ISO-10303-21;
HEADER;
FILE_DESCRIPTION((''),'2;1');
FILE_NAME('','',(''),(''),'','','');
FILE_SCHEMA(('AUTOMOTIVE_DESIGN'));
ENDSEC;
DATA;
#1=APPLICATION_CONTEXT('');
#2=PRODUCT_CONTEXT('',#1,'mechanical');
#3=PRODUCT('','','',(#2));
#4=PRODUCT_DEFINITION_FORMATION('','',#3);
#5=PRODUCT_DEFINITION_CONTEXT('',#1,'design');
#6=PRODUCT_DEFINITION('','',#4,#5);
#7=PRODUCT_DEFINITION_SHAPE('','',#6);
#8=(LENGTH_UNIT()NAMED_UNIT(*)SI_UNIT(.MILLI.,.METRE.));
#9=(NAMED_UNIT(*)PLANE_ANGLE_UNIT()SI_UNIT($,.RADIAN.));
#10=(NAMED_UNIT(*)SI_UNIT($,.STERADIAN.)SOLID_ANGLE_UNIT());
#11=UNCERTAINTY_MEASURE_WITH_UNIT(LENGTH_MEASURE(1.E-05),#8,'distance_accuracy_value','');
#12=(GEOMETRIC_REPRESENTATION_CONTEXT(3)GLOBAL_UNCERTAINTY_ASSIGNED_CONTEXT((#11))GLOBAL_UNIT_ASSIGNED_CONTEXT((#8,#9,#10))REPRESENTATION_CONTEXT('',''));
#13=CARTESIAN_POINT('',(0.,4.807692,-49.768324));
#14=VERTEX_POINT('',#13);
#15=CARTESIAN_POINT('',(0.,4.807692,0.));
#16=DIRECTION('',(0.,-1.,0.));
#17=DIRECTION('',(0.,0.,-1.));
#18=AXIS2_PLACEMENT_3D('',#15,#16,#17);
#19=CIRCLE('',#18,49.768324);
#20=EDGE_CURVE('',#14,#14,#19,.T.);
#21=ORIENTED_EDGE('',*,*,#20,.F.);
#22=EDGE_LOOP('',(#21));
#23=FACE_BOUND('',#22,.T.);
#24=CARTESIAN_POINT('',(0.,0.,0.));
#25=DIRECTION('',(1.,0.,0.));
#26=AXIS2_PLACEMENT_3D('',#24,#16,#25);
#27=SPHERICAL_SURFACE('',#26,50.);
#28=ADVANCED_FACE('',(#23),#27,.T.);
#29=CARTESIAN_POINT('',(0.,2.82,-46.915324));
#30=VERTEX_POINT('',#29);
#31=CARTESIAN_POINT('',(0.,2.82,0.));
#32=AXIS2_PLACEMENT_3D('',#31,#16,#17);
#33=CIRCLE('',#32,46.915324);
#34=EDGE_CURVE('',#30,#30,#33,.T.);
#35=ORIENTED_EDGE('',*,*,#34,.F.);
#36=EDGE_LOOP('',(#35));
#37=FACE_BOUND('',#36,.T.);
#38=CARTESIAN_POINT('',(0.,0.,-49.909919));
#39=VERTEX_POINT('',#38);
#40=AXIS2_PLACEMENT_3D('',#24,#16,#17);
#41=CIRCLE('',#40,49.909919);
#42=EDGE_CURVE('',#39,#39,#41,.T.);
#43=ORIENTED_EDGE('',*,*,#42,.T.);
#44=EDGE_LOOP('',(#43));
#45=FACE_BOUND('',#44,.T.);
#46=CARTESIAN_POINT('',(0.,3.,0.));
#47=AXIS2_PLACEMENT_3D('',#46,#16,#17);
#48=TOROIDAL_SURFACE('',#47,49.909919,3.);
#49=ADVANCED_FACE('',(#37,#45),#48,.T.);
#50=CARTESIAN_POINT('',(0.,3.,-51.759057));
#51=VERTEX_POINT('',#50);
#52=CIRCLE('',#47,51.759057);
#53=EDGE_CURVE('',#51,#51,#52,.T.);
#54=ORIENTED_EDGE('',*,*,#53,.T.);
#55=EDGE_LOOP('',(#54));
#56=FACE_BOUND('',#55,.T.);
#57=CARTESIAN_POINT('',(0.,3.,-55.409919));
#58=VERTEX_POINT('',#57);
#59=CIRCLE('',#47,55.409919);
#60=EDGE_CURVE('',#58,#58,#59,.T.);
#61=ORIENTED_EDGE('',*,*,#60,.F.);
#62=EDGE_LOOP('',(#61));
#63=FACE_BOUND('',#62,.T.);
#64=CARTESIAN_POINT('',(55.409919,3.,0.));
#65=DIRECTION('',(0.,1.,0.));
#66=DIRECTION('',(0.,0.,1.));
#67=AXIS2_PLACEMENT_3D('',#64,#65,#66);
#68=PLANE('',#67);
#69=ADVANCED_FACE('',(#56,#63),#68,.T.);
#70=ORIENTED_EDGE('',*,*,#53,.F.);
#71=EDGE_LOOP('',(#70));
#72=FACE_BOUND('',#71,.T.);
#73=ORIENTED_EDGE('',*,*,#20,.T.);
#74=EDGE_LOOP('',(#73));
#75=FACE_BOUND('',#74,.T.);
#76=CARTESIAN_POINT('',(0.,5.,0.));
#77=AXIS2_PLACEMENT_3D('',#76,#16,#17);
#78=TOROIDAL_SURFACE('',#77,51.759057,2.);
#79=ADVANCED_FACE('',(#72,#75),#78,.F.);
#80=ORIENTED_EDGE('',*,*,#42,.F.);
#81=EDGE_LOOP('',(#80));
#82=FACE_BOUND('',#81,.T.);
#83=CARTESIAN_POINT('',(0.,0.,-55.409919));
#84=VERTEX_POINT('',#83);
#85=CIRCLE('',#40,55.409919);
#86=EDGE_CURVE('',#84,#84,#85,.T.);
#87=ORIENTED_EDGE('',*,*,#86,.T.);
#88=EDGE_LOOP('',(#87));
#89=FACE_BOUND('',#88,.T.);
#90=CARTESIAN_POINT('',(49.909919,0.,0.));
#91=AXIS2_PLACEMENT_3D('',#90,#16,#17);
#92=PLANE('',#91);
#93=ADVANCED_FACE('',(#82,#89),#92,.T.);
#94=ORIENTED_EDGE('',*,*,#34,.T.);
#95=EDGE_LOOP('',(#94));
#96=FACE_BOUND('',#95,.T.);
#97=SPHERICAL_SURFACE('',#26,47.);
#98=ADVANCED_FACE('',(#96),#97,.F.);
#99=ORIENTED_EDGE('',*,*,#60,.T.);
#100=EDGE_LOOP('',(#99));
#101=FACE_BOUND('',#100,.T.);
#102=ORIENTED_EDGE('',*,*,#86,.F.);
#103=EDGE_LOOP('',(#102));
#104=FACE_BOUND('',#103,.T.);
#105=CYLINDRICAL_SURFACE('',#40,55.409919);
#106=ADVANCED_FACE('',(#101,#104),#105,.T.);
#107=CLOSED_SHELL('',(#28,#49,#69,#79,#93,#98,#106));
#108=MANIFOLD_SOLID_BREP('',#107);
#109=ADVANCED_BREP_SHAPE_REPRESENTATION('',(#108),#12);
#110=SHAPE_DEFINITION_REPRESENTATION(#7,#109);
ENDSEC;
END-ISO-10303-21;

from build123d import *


with BuildPart() as part:
    # Croquis1 → Revolución1 (revolve)
    with BuildSketch(Plane.XY, mode=Mode.PRIVATE) as revoluci_n1_sk:
        with BuildLine():
            Line((49.909918854, 0), (55.409918854, 0))
            Line((55.409918854, 0), (55.409918854, 3))
            Line((55.409918854, 3), (51.759057178, 3))
            ThreePointArc((51.759057178, 3), (50.414552694, 3.51935565), (49.76832421, 4.807692308))
            ThreePointArc((49.76832421, 4.807692308), (33.612612102, 37.016108759), (0, 50))
            Line((0, 50), (0, 47))
            ThreePointArc((0, 47), (32.221576622, 34.21651648), (46.915323723, 2.82))
            ThreePointArc((46.915323723, 2.82), (47.853222474, 0.815967033), (49.909918854, 0))
        make_face()
    revolve(revoluci_n1_sk.sketch.rotate(Axis((0, 0, 0), (0, 1, 0)), 90), axis=Axis((0, 0, 0), (0, 1, 0)))


solid = part.part
